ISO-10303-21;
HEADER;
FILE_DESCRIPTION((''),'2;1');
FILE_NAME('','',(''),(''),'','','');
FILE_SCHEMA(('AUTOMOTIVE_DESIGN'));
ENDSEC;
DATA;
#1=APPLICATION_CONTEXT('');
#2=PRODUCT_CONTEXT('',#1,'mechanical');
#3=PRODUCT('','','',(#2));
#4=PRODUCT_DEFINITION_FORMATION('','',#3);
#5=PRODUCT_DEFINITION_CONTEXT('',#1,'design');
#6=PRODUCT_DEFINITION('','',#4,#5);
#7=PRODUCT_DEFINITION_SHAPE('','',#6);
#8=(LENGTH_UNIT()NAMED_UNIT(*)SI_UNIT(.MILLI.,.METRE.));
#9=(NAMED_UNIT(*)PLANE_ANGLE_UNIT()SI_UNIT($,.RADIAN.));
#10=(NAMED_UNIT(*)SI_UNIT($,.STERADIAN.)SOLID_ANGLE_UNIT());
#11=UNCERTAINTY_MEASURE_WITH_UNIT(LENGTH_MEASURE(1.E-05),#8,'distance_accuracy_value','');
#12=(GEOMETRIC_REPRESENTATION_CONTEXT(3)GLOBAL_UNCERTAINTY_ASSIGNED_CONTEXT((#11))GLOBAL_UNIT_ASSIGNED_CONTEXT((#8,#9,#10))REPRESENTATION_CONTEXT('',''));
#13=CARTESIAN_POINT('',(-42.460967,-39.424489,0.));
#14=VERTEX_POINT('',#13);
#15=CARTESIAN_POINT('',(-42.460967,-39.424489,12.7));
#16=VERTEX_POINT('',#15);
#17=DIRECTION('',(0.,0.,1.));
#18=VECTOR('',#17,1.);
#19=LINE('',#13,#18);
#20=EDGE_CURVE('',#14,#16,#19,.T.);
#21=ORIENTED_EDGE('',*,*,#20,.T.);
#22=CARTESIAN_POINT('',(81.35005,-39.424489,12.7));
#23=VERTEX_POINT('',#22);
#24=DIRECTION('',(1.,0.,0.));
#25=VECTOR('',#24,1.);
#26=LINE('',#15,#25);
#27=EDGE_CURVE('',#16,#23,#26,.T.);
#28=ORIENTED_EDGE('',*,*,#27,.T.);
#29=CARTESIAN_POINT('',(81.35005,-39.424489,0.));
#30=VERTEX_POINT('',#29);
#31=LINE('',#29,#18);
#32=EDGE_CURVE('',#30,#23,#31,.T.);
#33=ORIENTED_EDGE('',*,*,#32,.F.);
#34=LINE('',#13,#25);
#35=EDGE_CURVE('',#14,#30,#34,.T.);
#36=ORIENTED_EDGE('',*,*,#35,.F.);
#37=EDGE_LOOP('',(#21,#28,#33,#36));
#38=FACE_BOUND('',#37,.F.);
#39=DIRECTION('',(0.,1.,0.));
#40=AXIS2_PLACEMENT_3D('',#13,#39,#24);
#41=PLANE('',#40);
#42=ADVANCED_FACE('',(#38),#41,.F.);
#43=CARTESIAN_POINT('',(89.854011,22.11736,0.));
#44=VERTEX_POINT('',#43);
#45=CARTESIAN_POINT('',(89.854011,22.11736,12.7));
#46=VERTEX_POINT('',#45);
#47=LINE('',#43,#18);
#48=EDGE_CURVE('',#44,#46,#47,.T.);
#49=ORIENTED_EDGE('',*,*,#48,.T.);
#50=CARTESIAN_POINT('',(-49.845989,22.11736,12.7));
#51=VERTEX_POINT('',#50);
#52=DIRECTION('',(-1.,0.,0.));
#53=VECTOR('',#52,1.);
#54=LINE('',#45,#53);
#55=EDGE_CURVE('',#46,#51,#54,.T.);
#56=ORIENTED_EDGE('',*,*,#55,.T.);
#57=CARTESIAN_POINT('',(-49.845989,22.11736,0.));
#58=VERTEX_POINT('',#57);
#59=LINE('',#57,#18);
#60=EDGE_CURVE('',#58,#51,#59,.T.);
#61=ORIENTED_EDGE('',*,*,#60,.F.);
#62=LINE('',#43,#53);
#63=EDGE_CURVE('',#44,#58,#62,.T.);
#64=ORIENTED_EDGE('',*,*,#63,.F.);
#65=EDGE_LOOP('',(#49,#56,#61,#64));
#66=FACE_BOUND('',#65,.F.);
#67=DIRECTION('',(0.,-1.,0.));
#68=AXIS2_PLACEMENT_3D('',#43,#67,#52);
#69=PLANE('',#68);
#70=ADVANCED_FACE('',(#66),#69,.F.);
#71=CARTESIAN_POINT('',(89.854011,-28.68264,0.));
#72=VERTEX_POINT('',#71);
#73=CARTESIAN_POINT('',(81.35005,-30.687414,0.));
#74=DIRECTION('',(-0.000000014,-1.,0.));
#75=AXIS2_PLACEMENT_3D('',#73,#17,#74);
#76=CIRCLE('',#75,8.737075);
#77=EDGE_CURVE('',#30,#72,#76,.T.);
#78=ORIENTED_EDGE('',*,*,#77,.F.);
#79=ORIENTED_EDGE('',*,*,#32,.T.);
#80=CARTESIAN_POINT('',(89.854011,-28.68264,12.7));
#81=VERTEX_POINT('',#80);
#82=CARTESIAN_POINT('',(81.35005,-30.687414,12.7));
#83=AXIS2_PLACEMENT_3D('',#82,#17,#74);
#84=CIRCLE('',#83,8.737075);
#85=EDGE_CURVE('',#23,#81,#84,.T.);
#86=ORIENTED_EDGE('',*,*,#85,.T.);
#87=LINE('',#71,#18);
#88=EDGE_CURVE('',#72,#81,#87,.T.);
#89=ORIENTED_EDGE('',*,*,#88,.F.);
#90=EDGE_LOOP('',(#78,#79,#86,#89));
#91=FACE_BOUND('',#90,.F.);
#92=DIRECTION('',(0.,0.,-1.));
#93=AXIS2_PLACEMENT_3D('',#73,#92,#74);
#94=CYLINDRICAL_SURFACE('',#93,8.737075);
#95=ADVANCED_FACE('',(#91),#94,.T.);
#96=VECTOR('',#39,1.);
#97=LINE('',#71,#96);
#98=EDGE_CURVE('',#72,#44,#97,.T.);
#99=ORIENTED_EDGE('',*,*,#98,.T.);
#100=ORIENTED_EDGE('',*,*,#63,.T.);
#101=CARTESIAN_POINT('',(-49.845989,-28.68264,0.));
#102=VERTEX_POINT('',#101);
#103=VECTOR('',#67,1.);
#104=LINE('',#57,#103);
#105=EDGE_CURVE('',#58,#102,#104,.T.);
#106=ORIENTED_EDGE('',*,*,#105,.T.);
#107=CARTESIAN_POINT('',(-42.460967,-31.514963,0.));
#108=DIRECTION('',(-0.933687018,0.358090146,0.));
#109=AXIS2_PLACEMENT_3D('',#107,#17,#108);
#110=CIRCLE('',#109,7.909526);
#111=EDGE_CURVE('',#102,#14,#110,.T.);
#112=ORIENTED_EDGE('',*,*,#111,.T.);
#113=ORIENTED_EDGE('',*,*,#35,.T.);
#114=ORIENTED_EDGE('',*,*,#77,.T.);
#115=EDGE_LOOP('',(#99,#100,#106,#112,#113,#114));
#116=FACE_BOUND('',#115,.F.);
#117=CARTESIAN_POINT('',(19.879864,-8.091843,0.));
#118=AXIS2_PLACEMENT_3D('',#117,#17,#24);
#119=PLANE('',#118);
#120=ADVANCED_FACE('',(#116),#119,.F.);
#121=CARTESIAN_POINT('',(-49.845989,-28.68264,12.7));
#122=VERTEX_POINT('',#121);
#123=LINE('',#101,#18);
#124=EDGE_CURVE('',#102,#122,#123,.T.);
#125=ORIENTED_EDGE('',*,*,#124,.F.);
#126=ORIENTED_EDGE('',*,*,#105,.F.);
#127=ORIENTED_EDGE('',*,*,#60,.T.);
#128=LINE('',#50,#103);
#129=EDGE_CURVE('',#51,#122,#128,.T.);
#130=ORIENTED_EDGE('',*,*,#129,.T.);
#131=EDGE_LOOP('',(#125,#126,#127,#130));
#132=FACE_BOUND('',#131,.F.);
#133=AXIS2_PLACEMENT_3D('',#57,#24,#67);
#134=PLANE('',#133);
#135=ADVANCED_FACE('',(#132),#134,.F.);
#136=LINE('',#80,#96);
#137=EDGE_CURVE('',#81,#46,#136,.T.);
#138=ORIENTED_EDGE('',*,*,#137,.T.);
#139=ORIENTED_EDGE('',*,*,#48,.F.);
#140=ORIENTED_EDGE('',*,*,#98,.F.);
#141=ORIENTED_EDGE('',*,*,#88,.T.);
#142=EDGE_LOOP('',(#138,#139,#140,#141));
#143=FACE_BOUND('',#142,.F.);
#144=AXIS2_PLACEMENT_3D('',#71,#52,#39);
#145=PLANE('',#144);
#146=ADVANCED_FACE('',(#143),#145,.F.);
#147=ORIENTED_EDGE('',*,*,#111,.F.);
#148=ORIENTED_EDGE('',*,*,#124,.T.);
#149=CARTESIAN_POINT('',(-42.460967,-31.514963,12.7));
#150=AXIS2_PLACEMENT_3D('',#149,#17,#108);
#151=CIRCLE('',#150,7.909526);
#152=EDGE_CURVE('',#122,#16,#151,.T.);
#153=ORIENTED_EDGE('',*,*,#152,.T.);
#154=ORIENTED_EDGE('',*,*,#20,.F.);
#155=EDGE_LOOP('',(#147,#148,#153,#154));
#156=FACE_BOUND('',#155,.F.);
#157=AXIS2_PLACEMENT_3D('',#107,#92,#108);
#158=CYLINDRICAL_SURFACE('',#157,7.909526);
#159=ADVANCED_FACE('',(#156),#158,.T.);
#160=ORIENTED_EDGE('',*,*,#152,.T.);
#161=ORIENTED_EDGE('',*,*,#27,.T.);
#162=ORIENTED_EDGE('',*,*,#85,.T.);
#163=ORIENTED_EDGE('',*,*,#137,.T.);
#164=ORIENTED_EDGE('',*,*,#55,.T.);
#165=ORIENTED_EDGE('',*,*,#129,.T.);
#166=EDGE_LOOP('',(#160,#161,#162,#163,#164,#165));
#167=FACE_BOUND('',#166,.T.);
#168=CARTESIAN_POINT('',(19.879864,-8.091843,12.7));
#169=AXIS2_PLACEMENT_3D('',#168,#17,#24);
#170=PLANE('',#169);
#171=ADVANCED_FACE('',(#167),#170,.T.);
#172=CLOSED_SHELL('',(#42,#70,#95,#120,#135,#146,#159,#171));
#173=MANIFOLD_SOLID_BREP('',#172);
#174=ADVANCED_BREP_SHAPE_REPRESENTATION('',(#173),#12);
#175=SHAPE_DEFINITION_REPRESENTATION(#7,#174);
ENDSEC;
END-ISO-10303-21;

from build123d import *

# Parameters (mm, degrees)
F1_DEPTH = 12.7


with BuildPart() as f1:
    # F0 (on Top) → F1 (new body)
    with BuildSketch(Plane.XY):
        with BuildLine():
            ThreePointArc((-49.845989, -28.68264), (-48.978748, -35.995938), (-42.460967, -39.424489))
            Line((-42.460967, -39.424489), (81.35005, -39.424489))
            ThreePointArc((81.35005, -39.424489), (88.200318, -36.110541), (89.854011, -28.68264))
            Line((89.854011, -28.68264), (89.854011, 22.11736))
            Line((89.854011, 22.11736), (-49.845989, 22.11736))
            Line((-49.845989, 22.11736), (-49.845989, -28.68264))
        make_face()
    extrude(amount=F1_DEPTH)


solid = f1.part
